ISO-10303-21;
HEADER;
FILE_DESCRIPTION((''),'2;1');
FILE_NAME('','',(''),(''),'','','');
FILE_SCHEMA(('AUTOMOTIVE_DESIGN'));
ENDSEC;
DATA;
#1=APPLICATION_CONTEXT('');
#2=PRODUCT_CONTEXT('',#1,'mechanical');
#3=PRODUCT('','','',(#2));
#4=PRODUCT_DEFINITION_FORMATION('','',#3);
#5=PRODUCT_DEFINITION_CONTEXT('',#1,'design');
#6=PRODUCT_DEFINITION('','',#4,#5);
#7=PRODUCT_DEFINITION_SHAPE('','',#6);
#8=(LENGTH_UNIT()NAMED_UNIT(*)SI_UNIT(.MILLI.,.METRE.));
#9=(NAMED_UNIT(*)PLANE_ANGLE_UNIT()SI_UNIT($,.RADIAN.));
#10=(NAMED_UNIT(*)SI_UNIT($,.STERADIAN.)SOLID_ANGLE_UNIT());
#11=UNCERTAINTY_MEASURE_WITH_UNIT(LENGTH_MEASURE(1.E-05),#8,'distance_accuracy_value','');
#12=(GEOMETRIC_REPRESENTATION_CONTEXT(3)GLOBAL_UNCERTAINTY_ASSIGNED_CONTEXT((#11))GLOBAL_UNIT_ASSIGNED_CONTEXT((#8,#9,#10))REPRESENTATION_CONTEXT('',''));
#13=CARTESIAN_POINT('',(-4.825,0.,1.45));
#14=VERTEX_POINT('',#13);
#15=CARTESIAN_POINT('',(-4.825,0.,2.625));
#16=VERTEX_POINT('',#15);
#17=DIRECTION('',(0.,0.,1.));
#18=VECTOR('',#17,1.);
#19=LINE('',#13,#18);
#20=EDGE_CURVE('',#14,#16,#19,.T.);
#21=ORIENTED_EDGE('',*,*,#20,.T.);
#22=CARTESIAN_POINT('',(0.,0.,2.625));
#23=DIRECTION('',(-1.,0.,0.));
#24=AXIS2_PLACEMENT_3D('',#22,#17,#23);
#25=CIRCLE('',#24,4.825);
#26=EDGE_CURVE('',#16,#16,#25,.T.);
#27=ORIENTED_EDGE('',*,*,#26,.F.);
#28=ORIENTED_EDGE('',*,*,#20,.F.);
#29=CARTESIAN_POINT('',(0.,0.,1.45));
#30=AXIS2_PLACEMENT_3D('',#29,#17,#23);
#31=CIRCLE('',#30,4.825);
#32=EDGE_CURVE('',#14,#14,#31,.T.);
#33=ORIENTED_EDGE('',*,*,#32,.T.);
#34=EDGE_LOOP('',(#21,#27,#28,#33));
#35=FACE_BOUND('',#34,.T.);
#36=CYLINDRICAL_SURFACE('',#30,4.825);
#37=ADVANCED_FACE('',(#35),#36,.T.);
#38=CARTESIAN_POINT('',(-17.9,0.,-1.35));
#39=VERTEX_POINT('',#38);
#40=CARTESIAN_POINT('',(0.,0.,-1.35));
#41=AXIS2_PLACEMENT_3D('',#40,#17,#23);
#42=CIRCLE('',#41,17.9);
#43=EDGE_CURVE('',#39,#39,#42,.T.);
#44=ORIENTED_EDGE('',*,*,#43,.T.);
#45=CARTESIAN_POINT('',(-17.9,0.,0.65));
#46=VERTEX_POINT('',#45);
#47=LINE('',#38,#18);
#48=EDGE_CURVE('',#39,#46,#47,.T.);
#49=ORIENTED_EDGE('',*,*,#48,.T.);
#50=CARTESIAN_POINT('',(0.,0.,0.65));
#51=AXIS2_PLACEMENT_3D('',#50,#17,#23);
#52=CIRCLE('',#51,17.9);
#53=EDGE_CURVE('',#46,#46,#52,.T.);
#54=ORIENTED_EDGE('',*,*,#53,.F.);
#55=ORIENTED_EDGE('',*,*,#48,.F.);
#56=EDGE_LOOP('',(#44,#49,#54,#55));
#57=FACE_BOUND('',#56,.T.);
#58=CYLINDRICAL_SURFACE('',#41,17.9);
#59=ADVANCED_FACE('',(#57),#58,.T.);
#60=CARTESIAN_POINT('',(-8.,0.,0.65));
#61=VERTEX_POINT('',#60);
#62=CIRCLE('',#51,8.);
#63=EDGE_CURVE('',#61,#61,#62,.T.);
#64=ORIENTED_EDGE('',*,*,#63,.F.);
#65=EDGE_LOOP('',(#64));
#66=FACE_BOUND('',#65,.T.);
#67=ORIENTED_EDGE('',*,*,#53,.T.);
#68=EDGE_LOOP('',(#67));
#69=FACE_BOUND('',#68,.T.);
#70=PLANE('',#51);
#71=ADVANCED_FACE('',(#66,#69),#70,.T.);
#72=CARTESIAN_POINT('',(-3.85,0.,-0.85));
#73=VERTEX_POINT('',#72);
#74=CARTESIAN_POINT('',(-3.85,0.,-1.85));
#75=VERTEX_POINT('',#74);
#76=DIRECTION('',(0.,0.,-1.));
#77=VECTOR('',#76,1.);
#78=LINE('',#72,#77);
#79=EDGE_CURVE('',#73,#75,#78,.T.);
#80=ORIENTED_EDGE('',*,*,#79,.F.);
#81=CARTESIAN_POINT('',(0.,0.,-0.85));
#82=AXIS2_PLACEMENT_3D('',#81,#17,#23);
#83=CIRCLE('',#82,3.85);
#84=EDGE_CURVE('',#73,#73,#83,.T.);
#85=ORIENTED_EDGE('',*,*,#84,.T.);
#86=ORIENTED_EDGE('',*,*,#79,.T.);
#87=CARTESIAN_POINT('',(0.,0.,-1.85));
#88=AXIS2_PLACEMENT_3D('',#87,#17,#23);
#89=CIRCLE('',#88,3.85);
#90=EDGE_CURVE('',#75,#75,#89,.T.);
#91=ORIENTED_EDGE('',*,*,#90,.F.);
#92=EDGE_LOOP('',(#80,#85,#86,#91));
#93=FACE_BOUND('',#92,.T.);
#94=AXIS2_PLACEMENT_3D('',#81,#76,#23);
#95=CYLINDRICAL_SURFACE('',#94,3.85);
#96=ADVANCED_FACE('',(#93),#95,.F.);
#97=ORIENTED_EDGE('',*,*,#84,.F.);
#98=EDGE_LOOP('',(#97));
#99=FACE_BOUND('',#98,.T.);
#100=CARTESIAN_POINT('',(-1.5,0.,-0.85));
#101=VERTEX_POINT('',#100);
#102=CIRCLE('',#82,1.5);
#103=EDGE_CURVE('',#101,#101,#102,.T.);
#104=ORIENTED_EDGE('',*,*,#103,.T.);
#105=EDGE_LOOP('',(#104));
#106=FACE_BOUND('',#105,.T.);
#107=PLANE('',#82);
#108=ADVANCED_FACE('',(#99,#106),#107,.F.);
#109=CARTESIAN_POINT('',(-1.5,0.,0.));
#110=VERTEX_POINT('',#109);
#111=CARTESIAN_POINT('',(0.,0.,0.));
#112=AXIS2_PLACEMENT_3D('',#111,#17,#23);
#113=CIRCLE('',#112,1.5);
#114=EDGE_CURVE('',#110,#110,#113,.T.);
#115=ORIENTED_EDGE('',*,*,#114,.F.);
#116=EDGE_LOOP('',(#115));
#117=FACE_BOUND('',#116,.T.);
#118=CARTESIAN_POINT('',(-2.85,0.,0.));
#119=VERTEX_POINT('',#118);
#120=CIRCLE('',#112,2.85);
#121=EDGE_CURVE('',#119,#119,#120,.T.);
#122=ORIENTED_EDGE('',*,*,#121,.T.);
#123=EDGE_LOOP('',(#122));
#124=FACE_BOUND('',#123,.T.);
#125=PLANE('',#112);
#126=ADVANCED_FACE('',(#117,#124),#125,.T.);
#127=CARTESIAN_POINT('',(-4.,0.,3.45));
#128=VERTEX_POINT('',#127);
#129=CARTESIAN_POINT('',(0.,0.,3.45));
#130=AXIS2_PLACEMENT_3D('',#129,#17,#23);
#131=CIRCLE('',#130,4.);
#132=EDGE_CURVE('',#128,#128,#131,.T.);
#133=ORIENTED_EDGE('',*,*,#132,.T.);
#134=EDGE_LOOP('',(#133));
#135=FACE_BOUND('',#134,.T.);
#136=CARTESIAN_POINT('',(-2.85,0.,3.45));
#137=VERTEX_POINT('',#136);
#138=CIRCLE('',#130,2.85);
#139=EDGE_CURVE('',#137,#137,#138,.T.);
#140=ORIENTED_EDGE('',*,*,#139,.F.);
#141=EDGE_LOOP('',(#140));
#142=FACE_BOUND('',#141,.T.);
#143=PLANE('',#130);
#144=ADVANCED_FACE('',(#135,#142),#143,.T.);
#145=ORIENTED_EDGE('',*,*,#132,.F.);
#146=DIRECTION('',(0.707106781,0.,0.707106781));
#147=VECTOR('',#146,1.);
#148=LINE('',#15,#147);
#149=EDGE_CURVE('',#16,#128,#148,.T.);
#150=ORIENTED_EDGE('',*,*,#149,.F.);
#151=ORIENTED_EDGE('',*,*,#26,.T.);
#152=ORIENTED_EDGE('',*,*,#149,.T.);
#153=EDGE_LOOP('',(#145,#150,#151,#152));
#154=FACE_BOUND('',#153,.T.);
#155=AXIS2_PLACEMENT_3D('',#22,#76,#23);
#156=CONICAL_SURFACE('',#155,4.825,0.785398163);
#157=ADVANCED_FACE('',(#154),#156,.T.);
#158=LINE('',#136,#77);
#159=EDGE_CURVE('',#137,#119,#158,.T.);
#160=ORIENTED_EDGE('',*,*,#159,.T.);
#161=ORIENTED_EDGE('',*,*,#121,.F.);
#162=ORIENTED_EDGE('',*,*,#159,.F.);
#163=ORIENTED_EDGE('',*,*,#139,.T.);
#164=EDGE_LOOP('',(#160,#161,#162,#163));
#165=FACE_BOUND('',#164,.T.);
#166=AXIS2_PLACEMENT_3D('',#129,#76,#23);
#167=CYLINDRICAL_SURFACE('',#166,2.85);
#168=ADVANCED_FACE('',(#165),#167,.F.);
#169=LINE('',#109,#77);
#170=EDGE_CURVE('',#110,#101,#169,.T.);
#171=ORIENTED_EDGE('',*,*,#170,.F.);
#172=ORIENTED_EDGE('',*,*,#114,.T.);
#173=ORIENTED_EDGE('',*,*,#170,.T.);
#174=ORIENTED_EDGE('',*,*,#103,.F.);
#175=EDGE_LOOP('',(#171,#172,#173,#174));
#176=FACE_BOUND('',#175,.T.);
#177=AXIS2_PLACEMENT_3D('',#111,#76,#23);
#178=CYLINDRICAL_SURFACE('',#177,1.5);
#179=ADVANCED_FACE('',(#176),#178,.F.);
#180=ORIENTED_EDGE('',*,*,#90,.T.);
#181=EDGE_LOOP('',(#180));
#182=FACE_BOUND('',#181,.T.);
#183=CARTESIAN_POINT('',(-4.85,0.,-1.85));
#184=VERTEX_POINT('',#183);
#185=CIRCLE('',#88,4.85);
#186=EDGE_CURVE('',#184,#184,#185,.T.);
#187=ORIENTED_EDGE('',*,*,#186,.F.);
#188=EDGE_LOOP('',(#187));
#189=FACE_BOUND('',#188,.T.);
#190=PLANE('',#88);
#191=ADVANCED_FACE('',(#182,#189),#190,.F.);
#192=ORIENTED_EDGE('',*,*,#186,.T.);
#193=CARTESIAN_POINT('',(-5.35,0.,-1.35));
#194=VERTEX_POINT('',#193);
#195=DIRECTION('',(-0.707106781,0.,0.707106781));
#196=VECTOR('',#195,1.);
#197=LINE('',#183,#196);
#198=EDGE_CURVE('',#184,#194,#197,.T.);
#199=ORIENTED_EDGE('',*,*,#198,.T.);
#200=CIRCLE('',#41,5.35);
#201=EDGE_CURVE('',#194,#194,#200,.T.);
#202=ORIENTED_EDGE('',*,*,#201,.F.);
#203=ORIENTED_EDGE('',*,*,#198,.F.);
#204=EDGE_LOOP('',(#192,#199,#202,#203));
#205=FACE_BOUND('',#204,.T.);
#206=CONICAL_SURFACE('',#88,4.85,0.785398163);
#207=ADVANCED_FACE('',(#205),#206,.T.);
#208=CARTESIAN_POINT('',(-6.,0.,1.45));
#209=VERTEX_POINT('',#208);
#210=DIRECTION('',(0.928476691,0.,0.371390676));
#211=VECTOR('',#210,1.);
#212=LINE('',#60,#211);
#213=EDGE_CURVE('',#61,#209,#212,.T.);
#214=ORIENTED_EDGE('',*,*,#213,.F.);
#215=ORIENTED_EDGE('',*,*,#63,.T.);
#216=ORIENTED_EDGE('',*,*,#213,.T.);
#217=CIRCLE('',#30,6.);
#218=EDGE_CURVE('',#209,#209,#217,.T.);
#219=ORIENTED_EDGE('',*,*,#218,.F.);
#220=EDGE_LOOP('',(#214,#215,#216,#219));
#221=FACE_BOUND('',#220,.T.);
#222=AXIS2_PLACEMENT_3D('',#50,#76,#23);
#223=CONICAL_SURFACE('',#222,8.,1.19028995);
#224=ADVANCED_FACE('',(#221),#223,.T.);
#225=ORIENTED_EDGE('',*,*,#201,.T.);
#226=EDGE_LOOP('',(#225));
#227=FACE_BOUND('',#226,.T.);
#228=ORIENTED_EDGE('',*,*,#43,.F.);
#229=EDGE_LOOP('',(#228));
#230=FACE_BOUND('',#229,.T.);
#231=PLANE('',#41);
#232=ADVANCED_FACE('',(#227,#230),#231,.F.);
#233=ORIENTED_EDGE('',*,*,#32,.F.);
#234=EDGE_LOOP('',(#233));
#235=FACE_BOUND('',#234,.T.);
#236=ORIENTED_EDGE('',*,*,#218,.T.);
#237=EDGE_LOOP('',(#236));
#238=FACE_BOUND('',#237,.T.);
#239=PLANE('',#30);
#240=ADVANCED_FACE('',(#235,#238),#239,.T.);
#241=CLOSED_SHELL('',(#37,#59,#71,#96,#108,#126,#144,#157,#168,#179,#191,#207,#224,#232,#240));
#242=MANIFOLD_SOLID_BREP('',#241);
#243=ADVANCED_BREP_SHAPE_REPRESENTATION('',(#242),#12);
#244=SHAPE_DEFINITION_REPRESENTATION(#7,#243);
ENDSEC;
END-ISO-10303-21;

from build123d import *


with BuildPart() as part:
    # Sketch → Revolution (revolve)
    with BuildSketch(Plane.XZ):
        Polygon((-1.5, 0), (-1.5, -0.85), (-3.85, -0.85), (-3.85, -1.85), (-4.85, -1.85), (-5.35, -1.35), (-17.9, -1.35), (-17.9, 0.65), (-8, 0.65), (-6, 1.45), (-4.825, 1.45), (-4.825, 2.625), (-4, 3.45), (-2.85, 3.45), (-2.85, 0), align=None)
    revolve(axis=Axis((0, 0, 0), (0, 0, 1)))


solid = part.part
